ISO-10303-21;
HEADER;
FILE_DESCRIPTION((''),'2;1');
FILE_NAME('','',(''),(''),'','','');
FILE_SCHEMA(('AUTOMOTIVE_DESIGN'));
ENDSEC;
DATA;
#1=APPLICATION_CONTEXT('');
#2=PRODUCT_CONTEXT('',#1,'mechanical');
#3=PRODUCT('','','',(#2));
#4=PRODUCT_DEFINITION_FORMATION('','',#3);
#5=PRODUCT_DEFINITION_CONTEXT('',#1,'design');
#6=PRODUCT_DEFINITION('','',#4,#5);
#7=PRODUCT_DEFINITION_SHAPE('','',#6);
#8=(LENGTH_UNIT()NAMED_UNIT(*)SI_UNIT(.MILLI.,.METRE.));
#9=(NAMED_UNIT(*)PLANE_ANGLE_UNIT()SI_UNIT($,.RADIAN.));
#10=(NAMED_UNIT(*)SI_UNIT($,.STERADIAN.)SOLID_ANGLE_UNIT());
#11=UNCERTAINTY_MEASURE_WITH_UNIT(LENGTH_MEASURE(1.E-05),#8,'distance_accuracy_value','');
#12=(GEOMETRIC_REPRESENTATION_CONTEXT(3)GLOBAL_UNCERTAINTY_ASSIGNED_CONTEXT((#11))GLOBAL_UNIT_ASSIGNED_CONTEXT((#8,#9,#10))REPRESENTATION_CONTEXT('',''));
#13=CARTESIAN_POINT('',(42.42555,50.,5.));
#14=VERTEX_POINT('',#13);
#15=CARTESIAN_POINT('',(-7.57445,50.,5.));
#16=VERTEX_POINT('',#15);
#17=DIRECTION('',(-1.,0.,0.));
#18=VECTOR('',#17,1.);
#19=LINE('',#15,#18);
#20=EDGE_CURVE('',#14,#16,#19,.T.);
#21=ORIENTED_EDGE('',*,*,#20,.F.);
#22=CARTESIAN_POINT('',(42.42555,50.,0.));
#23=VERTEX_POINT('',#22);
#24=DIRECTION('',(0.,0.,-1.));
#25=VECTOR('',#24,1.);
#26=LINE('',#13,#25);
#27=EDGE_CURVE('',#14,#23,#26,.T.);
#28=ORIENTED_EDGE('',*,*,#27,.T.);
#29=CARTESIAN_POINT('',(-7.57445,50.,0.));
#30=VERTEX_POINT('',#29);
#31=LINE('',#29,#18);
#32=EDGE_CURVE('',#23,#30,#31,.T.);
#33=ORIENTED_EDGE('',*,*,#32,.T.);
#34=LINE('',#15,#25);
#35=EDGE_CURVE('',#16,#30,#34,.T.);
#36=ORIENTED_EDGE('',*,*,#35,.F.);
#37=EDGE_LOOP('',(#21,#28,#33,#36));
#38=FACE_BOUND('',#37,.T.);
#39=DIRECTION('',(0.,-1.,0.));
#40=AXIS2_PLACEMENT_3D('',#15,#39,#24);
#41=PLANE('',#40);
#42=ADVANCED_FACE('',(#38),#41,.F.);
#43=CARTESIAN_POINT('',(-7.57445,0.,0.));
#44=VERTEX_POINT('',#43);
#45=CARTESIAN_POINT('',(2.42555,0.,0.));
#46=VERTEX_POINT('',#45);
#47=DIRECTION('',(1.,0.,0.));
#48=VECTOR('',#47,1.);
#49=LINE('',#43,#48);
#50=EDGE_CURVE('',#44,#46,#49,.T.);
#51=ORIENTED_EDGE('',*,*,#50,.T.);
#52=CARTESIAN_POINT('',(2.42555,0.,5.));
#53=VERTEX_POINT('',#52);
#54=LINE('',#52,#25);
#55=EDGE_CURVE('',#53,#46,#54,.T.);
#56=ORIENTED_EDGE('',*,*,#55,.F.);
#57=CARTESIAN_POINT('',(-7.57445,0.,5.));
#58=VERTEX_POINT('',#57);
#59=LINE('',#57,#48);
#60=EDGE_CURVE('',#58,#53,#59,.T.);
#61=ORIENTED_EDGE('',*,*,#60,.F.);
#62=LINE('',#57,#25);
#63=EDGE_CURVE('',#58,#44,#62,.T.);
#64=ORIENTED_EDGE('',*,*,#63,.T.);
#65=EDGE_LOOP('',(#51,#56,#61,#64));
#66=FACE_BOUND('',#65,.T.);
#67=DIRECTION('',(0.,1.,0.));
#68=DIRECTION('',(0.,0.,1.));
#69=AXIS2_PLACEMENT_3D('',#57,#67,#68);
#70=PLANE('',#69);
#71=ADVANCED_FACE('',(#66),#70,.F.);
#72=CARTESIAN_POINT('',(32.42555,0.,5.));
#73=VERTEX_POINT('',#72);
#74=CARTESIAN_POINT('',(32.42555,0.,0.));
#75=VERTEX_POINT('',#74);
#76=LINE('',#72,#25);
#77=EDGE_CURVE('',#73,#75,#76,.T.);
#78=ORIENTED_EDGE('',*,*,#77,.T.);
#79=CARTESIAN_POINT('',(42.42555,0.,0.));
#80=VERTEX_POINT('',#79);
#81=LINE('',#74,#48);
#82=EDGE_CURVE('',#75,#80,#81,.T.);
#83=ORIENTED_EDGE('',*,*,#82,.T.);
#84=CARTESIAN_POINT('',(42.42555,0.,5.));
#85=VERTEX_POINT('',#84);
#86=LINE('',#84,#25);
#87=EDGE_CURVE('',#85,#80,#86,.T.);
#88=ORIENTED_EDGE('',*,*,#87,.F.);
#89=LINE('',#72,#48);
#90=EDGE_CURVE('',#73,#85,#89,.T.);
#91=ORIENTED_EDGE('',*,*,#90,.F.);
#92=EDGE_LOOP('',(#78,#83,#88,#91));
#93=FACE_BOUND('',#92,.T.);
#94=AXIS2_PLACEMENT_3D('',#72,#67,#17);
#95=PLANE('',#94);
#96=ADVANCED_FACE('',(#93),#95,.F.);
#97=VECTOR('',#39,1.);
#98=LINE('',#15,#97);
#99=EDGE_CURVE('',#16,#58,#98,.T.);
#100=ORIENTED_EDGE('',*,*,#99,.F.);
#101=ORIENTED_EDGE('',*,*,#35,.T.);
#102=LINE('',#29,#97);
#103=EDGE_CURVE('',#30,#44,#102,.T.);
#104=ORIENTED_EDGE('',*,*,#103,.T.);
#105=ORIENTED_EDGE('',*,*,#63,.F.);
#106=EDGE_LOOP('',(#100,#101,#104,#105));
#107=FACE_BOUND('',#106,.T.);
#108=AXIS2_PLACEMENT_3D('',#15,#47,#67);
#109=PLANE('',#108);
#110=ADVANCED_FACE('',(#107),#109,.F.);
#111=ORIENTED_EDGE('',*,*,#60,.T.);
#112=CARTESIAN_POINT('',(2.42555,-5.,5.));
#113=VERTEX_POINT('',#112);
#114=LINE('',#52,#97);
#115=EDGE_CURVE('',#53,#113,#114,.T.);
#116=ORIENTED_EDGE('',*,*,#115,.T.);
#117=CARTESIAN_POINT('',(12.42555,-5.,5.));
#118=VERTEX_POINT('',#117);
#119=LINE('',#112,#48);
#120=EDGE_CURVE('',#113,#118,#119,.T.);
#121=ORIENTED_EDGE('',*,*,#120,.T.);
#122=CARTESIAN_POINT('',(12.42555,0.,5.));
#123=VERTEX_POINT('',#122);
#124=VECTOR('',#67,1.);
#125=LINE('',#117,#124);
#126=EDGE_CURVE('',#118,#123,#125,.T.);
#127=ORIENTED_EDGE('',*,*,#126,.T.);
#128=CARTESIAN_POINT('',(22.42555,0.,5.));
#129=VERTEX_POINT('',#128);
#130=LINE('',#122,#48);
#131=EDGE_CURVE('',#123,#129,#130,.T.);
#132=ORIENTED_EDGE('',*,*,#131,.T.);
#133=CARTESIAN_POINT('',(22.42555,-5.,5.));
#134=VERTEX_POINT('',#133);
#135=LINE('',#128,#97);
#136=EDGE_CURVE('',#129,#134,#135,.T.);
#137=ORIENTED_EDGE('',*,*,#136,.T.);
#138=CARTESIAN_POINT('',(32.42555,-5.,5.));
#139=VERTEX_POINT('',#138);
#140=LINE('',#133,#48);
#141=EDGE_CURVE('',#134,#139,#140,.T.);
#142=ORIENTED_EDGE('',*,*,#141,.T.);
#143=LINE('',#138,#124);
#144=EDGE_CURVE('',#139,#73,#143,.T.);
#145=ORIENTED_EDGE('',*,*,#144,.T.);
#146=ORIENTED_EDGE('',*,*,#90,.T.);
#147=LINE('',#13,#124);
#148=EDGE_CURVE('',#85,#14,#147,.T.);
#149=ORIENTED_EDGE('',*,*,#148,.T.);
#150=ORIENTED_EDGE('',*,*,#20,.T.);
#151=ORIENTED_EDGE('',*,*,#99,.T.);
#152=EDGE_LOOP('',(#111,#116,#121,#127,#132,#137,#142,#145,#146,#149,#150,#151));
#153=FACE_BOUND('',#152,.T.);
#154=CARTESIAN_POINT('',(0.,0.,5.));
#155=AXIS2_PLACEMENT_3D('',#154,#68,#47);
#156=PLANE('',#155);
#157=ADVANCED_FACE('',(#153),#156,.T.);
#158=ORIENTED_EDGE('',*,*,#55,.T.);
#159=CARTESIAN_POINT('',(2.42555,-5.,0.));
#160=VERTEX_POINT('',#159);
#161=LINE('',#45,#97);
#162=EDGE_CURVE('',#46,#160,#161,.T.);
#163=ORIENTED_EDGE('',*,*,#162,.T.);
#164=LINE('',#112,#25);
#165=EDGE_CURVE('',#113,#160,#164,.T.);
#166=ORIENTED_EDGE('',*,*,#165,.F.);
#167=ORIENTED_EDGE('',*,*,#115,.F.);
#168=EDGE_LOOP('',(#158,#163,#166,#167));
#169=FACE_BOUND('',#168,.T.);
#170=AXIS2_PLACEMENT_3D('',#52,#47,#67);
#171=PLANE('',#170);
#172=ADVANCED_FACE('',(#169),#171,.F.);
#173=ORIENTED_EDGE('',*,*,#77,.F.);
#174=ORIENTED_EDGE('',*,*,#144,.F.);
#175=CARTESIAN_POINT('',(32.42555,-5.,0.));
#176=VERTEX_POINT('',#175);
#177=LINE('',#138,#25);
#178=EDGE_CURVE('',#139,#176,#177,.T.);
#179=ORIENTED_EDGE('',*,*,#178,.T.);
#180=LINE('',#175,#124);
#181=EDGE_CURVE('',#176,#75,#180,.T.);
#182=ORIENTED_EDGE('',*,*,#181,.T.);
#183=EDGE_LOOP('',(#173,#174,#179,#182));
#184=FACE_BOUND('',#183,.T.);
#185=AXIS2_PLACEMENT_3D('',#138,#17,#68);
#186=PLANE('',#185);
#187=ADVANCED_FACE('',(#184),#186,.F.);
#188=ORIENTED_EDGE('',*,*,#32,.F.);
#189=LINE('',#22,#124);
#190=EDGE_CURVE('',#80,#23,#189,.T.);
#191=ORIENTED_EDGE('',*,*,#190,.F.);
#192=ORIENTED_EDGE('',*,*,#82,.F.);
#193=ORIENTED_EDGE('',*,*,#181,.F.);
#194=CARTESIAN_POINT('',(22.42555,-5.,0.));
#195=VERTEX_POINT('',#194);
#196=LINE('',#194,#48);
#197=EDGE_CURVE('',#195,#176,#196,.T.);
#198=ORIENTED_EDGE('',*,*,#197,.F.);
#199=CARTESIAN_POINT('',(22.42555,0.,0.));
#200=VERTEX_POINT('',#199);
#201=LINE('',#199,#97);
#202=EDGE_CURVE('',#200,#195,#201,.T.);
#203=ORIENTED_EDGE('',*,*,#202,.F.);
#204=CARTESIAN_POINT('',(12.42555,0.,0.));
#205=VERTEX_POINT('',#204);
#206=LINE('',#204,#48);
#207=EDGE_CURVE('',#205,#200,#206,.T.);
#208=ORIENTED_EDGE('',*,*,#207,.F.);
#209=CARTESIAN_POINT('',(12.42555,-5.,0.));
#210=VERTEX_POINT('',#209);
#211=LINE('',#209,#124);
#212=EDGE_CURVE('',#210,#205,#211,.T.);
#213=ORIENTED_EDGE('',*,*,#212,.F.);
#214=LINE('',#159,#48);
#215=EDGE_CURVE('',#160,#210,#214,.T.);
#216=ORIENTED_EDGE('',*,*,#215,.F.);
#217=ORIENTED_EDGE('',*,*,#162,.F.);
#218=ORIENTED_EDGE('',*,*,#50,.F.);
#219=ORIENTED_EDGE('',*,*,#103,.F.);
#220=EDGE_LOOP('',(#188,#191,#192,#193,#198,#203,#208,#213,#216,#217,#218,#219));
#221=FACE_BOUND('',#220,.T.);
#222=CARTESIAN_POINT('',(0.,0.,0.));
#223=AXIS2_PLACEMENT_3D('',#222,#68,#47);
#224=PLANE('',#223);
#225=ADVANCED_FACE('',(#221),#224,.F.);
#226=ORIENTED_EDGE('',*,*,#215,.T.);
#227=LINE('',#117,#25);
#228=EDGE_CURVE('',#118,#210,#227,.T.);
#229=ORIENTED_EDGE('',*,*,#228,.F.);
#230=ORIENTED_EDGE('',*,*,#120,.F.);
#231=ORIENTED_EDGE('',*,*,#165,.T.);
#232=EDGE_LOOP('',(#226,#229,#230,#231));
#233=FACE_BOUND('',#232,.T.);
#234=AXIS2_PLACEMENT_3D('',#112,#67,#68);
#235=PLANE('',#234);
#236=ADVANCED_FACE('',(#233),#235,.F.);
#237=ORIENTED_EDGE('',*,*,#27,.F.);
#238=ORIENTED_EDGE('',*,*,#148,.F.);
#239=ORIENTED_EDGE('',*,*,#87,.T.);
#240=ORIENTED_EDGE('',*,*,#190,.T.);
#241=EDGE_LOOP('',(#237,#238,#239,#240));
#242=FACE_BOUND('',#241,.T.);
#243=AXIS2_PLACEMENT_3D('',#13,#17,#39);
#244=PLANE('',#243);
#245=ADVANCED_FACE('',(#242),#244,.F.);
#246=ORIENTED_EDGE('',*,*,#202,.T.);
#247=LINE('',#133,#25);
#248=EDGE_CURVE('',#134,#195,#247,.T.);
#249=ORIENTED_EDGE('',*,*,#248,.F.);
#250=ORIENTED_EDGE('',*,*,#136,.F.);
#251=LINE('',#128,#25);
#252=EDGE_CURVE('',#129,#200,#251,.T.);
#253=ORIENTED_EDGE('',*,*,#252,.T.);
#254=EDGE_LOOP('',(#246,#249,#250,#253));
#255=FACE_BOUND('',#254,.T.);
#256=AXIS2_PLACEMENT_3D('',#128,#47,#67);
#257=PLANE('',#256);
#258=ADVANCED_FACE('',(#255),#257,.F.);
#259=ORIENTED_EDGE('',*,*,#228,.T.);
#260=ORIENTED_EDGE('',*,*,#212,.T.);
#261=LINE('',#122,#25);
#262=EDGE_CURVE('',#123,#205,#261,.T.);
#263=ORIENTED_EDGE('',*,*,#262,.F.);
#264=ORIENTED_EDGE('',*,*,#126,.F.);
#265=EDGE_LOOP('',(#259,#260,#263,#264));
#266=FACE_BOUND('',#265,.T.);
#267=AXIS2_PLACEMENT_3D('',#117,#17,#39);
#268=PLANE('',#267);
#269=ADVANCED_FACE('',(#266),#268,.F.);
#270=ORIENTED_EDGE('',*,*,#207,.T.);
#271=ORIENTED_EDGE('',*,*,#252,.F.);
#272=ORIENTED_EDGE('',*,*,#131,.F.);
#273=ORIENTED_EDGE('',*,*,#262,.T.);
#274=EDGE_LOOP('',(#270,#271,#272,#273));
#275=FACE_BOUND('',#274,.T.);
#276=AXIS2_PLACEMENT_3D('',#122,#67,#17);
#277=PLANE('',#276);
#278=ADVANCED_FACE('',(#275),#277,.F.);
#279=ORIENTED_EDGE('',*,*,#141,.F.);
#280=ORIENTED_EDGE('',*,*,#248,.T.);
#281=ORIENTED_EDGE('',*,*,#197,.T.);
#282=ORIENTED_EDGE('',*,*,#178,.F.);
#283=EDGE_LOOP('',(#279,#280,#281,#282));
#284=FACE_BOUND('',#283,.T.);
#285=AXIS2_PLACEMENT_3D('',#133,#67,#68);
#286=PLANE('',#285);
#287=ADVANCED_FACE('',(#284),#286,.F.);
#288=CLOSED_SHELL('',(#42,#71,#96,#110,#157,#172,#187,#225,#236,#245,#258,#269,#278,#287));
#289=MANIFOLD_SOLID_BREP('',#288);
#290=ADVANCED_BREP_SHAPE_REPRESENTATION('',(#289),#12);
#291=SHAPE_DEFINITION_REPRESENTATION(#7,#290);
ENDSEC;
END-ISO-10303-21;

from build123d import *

# Parameters (mm, degrees)
BOSS_EXTRU_1_DEPTH = 5


with BuildPart() as part:
    # Esquisse1 → Boss.-Extru.1 (new body)
    with BuildSketch(Plane.XY):
        Polygon((-7.57444963, 0), (2.42555037, 0), (2.42555037, -5), (12.42555037, -5), (12.42555037, 0), (22.42555037, 0), (22.42555037, -5), (32.42555037, -5), (32.42555037, 0), (42.42555037, 0), (42.42555037, 50), (-7.57444963, 50), align=None)
    extrude(amount=BOSS_EXTRU_1_DEPTH)


solid = part.part
